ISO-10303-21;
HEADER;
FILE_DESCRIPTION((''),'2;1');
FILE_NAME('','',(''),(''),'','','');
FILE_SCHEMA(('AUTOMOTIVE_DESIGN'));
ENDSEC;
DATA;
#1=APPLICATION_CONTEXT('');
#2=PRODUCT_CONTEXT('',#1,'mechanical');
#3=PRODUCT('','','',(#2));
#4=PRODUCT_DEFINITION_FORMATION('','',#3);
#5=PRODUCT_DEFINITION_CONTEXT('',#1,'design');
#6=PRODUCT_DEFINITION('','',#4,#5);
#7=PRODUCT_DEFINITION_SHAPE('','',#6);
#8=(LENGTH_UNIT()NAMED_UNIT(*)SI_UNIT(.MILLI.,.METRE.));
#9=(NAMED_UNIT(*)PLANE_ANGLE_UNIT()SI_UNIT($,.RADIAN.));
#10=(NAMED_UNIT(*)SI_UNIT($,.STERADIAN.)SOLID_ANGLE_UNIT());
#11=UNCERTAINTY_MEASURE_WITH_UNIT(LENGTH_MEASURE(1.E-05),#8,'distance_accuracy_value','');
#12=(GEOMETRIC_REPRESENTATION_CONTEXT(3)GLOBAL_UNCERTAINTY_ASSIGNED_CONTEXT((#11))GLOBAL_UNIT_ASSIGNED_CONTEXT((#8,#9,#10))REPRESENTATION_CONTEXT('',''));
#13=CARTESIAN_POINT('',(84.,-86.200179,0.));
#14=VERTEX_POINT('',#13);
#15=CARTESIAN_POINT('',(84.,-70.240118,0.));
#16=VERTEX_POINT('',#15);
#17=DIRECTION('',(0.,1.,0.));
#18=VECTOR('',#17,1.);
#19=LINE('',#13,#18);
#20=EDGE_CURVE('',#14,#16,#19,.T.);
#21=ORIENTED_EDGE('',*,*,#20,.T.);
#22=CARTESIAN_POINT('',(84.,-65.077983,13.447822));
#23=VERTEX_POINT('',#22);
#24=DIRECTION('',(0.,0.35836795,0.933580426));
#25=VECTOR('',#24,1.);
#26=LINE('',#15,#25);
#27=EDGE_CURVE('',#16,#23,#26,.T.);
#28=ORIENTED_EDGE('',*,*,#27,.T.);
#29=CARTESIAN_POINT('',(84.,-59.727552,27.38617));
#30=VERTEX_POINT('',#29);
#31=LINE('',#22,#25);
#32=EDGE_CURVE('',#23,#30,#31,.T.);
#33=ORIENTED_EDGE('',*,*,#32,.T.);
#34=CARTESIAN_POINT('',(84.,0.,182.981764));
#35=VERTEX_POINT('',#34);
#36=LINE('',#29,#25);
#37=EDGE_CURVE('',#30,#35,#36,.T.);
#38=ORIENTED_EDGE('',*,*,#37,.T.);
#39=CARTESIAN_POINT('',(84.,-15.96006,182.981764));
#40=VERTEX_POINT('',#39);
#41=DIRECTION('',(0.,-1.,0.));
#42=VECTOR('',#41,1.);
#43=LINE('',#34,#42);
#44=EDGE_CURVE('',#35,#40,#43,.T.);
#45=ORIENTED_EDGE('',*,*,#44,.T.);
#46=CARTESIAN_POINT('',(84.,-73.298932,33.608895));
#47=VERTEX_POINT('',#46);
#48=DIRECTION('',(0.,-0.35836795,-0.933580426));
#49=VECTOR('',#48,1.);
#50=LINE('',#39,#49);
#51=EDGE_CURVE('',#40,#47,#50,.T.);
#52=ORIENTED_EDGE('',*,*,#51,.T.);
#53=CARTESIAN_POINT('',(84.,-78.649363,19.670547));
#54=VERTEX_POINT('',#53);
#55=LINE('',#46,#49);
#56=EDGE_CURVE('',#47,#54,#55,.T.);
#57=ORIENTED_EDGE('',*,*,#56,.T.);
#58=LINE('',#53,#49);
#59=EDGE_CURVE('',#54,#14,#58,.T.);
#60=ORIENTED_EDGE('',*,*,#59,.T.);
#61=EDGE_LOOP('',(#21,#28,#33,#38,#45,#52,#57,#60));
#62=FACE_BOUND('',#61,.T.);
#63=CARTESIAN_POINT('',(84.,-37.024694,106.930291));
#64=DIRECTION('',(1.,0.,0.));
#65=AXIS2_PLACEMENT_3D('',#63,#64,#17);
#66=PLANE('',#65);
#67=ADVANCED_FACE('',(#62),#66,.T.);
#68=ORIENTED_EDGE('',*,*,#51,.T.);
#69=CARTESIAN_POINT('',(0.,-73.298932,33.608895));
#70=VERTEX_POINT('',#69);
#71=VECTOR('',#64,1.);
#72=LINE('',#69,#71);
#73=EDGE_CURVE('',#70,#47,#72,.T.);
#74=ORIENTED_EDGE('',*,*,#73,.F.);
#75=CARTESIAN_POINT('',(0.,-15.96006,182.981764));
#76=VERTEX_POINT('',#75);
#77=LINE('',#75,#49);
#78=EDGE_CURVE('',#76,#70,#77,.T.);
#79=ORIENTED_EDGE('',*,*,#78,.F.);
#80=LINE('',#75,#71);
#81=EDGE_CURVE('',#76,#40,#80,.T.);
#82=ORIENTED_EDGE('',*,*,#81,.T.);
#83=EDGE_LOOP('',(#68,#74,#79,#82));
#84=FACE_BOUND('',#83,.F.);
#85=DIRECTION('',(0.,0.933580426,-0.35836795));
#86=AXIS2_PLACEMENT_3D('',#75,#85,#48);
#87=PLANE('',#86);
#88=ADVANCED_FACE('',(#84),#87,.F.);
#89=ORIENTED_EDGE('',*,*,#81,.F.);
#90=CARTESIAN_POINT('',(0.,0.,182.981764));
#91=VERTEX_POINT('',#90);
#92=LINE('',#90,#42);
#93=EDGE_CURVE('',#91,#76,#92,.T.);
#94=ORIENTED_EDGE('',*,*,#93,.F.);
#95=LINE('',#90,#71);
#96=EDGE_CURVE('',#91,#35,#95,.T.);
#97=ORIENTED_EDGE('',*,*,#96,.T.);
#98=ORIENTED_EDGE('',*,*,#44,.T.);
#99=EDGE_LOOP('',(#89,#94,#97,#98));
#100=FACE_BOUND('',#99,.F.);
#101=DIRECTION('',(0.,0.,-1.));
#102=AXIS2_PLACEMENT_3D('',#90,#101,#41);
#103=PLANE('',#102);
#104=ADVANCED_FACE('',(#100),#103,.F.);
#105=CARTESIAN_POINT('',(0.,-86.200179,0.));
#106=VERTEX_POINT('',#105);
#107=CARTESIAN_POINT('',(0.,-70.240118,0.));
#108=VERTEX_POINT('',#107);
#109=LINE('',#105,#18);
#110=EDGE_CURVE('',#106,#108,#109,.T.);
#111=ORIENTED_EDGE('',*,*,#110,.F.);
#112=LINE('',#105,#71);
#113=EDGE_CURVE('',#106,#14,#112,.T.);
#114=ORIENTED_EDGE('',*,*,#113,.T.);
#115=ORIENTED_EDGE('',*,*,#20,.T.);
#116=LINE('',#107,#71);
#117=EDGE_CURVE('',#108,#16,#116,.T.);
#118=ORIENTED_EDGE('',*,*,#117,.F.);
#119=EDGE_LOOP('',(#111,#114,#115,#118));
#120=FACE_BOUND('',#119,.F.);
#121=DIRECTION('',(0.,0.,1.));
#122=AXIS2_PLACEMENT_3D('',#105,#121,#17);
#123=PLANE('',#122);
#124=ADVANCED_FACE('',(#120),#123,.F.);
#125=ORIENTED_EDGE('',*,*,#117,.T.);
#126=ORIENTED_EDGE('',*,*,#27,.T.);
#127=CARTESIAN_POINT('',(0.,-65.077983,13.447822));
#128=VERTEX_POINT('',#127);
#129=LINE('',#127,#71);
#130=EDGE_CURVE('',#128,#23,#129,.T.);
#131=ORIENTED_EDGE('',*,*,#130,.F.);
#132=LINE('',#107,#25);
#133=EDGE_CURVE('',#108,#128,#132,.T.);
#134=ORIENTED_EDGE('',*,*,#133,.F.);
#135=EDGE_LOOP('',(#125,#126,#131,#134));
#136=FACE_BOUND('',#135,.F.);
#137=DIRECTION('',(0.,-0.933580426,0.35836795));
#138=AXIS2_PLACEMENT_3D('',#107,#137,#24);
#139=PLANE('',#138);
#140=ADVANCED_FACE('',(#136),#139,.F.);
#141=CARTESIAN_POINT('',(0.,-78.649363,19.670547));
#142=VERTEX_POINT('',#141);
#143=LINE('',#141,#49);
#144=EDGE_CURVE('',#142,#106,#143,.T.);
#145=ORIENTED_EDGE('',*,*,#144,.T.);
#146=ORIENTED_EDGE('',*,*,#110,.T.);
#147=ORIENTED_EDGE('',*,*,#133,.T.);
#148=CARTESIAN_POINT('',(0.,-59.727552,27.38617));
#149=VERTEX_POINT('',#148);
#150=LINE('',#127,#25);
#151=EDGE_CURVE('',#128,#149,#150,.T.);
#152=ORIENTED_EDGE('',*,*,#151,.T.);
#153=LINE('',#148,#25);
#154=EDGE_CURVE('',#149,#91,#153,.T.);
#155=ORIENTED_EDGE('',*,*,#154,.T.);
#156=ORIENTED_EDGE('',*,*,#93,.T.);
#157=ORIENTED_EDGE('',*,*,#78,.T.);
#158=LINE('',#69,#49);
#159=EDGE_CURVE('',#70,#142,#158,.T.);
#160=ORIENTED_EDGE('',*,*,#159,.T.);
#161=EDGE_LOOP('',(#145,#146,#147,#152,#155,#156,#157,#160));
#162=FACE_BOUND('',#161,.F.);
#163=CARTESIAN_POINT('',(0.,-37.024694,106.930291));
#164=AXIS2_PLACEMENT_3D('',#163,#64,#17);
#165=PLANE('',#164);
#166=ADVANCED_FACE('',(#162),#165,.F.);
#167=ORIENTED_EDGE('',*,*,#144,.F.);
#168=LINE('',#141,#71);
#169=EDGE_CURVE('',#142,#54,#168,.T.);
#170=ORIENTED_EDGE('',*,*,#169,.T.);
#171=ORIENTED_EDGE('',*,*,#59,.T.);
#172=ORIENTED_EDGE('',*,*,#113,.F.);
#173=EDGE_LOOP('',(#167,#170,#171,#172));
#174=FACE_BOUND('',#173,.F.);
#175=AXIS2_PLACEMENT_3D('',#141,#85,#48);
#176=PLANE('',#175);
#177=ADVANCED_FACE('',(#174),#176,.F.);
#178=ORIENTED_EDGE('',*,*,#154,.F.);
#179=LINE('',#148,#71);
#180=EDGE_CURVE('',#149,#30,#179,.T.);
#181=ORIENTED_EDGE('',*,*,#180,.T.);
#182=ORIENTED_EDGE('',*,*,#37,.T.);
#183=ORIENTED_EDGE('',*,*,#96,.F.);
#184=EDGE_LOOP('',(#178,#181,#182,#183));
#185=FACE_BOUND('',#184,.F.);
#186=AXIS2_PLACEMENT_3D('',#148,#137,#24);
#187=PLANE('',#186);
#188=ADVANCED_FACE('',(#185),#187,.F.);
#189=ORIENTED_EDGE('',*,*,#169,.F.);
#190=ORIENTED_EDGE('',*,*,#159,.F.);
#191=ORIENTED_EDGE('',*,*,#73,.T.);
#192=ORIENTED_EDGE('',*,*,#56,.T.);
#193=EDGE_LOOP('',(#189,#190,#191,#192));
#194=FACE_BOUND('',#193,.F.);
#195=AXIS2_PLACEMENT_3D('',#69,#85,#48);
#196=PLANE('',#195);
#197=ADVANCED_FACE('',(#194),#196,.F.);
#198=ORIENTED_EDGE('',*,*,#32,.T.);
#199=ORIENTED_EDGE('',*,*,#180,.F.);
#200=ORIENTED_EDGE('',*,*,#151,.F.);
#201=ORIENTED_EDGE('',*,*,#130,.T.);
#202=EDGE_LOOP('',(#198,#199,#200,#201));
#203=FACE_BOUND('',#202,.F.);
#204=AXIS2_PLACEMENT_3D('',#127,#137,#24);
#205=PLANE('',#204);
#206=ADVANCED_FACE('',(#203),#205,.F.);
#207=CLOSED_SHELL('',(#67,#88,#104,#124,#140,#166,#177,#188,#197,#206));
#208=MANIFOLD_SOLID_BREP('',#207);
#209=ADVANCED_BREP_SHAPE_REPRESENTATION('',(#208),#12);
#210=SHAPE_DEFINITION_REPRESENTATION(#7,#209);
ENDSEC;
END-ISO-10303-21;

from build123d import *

# Parameters (mm, degrees)
F2_DEPTH = 84


with BuildPart() as f2:
    # F1 (on Right) → F2 (new body)
    with BuildSketch(Plane.YZ):
        Polygon((-59.7275522286, 27.3861704218), (0, 182.9817635935), (-15.9600604052, 182.9817635935), (-73.2989323324, 33.6088953539), align=None)
        Polygon((-65.077982877, 13.4478220484), (-59.7275522286, 27.3861704218), (-73.2989323324, 33.6088953539), (-78.6493629808, 19.6705469804), align=None)
        Polygon((-70.2401181109, 0), (-65.077982877, 13.4478220484), (-78.6493629808, 19.6705469804), (-86.2001785161, 0), align=None)
    extrude(amount=F2_DEPTH)


solid = f2.part
